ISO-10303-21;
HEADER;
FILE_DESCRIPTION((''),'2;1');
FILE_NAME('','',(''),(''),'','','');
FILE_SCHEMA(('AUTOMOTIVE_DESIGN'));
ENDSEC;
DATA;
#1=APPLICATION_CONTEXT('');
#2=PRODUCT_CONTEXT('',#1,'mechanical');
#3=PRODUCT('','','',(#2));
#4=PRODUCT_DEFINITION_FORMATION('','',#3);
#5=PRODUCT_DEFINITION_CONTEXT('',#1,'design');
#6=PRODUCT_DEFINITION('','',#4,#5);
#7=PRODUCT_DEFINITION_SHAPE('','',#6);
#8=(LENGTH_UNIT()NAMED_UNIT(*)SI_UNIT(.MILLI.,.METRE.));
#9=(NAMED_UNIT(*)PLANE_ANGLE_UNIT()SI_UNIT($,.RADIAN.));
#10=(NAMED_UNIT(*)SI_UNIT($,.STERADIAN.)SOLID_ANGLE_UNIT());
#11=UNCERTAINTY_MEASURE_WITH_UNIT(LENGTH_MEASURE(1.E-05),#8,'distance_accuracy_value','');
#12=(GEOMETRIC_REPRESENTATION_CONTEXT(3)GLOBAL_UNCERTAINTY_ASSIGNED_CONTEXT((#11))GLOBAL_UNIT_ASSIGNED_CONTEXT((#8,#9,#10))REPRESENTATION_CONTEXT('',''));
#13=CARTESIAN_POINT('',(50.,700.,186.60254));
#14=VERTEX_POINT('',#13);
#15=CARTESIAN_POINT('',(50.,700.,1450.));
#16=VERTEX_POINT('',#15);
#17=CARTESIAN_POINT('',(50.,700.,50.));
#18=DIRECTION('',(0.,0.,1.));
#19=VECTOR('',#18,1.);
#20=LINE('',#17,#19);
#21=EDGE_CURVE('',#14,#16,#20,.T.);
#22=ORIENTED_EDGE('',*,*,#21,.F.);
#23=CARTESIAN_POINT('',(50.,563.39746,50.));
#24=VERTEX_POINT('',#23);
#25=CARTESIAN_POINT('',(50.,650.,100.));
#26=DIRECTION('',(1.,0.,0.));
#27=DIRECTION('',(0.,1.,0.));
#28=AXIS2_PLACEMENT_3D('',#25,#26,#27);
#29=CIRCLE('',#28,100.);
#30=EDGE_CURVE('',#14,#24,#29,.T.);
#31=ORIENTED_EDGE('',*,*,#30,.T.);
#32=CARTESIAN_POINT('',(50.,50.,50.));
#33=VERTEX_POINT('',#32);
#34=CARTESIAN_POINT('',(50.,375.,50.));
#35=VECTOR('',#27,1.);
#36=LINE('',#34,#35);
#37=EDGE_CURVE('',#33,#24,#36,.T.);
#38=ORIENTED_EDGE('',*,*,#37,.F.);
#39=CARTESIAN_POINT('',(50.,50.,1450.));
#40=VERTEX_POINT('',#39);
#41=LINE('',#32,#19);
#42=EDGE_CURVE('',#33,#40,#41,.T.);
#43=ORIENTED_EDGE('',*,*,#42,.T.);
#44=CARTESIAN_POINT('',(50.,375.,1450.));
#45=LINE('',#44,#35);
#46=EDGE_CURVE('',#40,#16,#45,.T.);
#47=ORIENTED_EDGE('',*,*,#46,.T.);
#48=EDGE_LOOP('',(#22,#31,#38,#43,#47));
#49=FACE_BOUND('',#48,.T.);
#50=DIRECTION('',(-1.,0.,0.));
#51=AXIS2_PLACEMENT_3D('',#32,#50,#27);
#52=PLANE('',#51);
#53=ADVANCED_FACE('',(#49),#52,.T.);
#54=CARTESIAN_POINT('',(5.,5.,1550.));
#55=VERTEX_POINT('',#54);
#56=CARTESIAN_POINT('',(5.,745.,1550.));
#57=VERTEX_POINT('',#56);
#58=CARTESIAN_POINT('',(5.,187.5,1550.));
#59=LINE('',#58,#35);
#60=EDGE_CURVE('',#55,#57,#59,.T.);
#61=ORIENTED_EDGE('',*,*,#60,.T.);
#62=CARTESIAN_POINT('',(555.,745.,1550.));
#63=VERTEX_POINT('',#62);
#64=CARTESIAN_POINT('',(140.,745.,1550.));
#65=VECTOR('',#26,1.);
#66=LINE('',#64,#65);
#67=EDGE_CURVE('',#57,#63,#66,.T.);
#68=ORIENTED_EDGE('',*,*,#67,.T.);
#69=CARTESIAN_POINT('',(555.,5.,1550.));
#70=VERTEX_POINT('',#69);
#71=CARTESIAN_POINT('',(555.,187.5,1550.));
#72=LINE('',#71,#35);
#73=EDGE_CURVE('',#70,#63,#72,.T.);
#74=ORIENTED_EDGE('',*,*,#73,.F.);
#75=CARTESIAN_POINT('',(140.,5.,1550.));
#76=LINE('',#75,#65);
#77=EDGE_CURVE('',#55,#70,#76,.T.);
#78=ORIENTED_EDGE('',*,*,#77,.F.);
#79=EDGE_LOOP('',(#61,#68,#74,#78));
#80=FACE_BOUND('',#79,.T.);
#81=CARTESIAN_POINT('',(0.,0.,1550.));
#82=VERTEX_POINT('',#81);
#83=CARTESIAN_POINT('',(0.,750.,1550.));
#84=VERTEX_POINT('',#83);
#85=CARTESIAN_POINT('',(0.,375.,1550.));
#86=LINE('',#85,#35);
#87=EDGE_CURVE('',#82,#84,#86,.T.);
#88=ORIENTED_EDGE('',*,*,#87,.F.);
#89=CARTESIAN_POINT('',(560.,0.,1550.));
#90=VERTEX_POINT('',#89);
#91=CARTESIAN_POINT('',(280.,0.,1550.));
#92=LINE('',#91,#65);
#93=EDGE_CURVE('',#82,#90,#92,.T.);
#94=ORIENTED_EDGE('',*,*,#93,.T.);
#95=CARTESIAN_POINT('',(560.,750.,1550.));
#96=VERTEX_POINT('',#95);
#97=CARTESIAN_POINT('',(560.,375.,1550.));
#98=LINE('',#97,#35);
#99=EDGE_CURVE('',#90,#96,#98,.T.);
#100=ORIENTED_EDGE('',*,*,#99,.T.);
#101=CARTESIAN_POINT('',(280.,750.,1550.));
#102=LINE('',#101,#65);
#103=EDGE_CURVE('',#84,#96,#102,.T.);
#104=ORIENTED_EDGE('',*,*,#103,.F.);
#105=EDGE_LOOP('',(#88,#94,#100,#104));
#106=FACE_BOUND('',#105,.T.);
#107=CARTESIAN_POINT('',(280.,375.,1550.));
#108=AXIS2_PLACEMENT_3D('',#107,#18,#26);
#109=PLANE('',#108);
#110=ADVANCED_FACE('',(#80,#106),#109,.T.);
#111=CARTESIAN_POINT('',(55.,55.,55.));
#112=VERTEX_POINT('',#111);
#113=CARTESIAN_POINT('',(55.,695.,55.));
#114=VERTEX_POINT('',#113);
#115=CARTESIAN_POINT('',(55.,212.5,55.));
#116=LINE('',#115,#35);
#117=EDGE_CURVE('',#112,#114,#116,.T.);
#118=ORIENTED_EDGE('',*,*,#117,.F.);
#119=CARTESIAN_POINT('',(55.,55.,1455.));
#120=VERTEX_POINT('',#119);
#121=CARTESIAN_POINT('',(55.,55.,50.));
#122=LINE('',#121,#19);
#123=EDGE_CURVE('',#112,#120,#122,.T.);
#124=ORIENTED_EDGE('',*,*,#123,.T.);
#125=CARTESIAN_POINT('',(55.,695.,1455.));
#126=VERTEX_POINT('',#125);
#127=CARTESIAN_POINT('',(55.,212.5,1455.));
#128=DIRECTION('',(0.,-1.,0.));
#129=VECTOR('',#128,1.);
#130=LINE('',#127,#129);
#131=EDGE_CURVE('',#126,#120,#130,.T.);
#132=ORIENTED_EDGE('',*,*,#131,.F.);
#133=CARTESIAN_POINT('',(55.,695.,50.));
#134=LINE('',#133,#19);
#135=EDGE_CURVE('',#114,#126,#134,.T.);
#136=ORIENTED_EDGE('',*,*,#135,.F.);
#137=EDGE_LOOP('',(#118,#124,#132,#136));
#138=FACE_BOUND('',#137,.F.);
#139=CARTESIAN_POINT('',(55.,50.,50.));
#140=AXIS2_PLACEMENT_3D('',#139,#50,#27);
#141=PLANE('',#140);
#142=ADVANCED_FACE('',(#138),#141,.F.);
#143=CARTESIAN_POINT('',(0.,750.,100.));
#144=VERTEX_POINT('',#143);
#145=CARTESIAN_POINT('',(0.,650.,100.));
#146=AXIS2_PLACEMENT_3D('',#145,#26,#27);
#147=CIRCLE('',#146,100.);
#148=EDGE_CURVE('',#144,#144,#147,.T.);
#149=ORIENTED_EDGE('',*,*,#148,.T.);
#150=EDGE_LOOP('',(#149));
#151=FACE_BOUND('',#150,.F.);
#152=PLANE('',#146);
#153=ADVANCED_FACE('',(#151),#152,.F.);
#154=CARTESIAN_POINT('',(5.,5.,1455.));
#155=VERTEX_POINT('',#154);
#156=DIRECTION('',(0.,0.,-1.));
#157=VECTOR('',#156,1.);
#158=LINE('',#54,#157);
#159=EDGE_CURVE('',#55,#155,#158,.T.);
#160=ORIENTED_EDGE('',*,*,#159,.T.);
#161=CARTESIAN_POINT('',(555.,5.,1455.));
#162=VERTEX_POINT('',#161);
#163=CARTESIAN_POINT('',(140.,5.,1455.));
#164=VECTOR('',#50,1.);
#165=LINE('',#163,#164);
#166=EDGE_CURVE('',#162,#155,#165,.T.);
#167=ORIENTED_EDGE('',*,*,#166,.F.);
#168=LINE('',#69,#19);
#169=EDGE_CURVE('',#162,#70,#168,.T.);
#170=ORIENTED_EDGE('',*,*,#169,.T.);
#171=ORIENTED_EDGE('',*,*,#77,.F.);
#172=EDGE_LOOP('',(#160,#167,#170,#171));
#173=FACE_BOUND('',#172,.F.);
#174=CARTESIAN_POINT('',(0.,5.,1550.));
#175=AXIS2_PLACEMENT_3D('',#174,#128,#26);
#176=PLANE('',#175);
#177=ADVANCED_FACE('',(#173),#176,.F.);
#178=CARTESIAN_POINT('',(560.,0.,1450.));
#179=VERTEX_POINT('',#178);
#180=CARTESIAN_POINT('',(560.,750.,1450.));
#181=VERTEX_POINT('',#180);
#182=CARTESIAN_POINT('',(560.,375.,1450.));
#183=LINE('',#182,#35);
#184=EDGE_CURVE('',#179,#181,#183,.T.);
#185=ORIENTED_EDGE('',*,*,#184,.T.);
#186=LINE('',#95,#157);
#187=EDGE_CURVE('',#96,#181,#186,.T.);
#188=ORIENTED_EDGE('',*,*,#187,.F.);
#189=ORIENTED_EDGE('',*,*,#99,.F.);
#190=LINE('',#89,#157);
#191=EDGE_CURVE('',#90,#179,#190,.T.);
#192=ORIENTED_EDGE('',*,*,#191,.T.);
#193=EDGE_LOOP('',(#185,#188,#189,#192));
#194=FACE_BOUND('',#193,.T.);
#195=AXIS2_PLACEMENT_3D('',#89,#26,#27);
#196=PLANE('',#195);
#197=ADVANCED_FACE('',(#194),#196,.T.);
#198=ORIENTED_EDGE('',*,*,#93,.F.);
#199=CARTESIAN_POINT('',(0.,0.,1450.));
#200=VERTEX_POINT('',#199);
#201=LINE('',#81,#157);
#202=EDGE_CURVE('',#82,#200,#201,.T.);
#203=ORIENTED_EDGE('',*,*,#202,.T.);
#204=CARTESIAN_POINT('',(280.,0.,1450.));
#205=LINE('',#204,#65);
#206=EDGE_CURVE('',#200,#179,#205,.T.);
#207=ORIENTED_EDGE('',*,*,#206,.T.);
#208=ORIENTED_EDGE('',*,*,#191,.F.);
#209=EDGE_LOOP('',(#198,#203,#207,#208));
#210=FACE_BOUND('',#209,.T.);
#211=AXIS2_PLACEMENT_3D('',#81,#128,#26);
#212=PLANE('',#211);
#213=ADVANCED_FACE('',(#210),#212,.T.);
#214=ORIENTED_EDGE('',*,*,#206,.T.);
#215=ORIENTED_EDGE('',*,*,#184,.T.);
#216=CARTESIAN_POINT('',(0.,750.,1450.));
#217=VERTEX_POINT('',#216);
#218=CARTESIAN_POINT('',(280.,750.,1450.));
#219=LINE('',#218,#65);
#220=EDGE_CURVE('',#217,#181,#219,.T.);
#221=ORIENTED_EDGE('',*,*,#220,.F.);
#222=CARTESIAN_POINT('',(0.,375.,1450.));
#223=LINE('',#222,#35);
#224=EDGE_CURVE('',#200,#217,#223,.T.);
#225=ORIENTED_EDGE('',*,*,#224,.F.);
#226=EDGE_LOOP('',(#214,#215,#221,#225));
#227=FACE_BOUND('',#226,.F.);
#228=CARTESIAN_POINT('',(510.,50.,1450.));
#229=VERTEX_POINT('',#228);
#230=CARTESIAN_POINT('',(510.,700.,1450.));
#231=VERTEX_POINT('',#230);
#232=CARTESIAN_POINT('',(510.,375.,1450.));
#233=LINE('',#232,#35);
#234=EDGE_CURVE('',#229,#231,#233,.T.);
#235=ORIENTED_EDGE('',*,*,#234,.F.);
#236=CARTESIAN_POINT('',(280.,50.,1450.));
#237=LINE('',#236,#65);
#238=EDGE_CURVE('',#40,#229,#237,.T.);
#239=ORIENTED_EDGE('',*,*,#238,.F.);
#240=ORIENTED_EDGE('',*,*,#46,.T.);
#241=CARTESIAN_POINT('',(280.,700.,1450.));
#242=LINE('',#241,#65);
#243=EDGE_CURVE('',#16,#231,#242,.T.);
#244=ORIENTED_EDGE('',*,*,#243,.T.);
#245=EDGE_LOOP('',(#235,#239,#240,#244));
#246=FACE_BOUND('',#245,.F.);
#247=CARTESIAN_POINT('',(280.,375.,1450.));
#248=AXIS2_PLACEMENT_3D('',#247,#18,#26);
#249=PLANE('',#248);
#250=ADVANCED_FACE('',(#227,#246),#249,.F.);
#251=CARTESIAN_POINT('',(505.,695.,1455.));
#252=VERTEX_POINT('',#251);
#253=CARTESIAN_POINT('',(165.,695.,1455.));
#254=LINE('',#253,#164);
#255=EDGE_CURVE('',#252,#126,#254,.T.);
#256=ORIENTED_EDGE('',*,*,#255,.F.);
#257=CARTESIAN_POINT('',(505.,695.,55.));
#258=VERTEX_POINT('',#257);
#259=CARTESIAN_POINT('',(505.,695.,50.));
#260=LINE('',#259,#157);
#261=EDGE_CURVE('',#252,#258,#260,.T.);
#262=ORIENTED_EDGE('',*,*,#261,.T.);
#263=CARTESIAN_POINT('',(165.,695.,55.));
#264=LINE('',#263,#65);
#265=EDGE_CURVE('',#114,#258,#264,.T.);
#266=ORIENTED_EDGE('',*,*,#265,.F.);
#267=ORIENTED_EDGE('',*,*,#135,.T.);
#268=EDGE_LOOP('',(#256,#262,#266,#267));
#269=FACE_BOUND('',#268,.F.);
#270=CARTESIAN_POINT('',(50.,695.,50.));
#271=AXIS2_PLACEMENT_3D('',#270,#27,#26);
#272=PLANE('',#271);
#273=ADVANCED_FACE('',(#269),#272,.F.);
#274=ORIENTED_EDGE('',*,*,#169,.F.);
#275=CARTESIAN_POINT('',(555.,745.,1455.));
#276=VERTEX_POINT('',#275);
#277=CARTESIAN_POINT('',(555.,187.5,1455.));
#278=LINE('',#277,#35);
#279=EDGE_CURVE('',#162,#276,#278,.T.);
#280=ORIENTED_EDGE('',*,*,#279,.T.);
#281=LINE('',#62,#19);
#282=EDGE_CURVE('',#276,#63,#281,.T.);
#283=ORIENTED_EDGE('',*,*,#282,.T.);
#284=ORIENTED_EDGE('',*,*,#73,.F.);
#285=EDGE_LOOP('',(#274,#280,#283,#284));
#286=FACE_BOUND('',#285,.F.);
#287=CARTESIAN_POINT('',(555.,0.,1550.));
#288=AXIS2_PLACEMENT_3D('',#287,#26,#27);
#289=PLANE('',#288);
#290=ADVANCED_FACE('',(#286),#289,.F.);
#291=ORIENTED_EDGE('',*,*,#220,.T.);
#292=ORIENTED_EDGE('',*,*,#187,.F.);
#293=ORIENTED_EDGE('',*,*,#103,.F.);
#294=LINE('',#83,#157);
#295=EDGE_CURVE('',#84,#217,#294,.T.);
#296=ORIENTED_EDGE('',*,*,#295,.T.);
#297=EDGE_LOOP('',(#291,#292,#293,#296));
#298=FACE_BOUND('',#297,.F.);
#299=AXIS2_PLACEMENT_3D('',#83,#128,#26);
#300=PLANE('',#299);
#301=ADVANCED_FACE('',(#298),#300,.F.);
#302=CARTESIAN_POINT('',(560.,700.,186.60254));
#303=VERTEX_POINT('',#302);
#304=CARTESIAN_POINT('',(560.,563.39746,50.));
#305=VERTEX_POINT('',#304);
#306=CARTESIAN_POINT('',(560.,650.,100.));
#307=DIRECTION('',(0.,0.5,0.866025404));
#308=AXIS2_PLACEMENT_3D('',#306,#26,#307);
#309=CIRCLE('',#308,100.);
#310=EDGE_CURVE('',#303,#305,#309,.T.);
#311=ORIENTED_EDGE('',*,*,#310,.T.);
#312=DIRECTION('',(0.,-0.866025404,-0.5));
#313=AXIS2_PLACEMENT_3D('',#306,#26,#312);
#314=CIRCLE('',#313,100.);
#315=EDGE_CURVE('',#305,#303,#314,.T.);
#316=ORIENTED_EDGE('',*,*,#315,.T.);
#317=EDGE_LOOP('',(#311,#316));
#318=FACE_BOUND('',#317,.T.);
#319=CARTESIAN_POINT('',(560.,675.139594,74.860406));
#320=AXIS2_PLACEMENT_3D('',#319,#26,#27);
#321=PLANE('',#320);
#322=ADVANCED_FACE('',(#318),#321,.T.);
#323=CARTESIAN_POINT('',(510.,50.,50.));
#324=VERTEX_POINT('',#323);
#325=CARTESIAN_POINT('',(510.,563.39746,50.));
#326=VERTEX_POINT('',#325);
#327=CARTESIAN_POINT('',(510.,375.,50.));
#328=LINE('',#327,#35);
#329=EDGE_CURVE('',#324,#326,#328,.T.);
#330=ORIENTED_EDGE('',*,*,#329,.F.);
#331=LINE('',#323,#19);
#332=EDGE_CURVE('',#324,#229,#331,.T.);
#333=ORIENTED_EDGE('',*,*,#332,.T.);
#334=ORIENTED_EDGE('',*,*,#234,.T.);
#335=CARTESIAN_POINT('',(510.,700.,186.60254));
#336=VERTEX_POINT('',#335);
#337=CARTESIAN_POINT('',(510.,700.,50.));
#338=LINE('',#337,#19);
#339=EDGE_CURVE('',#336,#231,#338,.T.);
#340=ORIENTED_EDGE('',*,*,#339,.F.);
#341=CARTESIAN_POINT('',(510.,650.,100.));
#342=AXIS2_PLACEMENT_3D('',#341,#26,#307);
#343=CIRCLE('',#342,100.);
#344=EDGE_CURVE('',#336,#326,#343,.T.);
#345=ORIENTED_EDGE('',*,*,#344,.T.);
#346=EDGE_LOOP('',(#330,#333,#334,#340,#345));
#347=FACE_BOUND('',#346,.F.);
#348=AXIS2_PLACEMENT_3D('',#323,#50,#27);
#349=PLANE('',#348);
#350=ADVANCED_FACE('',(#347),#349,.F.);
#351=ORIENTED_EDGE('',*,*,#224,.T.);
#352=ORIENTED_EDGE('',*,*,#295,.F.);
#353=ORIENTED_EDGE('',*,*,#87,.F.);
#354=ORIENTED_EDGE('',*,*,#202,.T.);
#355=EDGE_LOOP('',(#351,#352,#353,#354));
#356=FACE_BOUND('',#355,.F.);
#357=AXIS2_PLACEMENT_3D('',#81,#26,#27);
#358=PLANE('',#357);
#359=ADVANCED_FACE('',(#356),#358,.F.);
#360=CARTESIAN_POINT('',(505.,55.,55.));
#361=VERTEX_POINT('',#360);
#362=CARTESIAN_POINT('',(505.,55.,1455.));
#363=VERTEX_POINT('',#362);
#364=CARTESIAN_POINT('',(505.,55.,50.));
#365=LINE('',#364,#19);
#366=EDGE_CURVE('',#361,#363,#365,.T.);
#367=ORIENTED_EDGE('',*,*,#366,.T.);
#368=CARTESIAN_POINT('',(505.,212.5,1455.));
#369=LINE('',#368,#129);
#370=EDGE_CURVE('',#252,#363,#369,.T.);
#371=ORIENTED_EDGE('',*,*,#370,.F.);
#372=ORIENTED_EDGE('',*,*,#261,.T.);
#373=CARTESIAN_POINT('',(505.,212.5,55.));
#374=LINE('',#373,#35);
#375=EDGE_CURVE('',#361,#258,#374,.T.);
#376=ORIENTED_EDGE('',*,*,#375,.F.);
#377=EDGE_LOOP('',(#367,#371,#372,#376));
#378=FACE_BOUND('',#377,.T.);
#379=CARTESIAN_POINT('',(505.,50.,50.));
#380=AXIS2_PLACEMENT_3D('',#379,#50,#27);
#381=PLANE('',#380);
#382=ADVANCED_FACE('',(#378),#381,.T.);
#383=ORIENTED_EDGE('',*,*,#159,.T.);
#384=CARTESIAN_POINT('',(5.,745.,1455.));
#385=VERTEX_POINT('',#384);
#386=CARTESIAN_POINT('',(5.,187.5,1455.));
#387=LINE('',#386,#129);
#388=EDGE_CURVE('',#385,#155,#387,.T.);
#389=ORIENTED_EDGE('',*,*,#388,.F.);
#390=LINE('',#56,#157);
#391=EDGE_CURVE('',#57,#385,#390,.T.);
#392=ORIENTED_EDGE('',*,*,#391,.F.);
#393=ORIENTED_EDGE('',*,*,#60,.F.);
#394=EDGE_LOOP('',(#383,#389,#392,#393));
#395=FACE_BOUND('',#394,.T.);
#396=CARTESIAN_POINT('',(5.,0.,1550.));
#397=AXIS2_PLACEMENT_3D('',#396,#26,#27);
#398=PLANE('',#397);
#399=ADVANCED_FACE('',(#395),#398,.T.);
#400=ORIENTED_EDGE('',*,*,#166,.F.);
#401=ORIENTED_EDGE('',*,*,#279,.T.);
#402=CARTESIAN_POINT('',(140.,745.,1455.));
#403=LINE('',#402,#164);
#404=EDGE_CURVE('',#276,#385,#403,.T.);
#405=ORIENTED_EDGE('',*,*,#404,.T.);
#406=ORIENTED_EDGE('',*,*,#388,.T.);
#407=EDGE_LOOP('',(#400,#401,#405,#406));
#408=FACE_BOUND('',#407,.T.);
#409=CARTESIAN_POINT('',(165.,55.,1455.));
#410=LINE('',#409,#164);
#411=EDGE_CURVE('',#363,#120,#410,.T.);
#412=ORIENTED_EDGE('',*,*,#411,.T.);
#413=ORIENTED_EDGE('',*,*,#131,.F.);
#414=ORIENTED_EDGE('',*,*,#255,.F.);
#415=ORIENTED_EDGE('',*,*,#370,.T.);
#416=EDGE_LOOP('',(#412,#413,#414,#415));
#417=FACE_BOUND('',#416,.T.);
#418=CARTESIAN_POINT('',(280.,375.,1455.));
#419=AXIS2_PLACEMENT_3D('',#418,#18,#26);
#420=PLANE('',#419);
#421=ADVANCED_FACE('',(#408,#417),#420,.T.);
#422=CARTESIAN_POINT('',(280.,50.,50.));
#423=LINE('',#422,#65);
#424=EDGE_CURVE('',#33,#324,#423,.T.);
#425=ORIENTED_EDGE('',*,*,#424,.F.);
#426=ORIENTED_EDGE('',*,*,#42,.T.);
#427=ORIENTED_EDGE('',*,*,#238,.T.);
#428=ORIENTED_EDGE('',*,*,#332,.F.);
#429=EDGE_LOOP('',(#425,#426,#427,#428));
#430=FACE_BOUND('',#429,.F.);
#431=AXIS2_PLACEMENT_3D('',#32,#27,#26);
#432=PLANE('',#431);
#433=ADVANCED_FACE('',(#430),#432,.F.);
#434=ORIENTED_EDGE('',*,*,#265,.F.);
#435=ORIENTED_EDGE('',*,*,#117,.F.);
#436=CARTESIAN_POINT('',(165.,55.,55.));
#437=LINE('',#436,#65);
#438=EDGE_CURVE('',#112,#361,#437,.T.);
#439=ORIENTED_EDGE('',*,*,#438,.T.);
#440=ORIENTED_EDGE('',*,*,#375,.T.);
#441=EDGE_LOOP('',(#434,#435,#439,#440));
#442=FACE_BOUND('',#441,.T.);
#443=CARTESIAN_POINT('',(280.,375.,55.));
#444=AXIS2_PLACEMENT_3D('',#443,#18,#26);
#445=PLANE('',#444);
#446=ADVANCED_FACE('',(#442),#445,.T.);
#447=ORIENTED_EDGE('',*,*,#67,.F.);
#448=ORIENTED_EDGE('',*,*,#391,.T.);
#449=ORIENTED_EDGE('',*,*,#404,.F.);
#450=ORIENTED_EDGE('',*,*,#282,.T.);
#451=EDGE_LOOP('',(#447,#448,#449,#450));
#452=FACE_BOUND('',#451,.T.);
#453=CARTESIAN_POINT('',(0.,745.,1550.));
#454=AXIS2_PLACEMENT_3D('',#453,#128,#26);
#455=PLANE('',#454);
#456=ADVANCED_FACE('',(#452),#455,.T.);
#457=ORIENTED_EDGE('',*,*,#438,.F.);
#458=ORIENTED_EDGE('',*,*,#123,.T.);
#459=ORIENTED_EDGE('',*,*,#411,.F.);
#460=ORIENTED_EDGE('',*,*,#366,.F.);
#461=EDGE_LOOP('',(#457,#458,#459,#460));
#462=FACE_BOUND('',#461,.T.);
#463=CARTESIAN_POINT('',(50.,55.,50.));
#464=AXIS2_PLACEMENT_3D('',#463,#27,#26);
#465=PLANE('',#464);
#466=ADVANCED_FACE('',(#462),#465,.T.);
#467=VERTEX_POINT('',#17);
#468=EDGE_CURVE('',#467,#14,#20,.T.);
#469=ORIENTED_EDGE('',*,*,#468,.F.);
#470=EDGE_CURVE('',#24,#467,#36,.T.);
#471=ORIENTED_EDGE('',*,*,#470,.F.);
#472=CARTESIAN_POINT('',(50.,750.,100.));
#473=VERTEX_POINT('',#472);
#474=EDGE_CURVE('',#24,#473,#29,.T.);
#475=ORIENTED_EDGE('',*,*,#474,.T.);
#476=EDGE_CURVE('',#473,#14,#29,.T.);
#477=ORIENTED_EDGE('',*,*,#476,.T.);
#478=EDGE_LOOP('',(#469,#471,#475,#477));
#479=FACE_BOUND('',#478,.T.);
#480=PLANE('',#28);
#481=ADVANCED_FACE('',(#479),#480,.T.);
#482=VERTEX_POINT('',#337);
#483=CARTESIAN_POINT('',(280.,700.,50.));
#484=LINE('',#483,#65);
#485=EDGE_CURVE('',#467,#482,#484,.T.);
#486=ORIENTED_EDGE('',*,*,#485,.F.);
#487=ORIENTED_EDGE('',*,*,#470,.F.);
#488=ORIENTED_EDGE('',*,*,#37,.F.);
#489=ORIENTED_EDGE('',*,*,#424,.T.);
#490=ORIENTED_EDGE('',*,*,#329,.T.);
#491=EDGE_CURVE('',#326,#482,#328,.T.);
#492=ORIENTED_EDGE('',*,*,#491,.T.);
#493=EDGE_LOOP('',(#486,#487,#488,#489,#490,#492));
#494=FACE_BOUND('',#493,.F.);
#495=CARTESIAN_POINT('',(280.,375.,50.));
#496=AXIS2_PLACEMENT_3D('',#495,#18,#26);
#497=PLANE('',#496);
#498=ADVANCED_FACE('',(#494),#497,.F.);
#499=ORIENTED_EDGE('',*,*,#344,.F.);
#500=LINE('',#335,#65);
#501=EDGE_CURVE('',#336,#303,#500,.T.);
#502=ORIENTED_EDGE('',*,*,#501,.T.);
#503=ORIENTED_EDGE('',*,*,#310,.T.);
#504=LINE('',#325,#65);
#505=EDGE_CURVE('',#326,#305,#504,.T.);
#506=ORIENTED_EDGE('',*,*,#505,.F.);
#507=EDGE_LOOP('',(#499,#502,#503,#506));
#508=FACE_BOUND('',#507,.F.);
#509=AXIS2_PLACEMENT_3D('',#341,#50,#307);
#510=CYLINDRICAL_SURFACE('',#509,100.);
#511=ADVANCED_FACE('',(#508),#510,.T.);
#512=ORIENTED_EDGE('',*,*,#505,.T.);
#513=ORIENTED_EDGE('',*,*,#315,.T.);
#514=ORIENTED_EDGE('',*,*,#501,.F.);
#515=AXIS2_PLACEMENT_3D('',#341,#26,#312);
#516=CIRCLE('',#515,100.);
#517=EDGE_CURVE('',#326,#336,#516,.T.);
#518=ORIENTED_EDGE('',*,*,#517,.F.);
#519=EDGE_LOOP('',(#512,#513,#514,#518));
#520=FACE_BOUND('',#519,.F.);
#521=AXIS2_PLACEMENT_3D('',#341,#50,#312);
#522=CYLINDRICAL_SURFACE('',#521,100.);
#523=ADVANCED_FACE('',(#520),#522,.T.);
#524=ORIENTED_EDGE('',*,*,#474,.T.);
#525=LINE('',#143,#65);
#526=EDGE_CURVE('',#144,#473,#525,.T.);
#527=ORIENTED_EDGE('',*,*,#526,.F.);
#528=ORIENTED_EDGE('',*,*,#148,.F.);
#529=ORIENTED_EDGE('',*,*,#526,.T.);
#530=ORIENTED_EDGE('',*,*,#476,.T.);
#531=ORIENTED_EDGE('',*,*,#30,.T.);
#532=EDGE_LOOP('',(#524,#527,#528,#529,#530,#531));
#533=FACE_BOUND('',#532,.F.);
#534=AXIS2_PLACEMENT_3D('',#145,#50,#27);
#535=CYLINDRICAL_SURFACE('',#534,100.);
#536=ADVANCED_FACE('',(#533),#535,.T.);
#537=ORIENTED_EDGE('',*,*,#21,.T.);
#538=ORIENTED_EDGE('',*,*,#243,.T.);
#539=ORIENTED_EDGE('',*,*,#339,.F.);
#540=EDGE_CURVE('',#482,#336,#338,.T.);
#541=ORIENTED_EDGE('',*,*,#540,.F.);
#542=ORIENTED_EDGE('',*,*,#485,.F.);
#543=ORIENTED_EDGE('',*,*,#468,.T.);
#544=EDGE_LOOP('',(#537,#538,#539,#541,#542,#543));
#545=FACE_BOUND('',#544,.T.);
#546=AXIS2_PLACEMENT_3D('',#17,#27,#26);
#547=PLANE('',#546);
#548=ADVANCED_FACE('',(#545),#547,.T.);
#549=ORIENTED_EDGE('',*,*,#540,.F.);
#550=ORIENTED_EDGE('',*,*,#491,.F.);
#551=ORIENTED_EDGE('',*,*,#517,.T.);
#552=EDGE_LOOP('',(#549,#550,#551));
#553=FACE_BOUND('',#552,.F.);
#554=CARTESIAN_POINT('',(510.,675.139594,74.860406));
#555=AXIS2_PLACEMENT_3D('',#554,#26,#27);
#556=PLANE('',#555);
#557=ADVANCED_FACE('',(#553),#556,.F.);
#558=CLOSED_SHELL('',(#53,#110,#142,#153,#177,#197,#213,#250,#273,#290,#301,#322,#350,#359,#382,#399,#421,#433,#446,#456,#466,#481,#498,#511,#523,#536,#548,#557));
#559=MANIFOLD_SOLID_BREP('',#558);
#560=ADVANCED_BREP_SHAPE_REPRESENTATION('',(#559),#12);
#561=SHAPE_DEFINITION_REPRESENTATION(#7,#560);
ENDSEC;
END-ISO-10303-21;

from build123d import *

# Parameters (mm, degrees)
F1_W     = 460
F1_H     = 650
F2_DEPTH = 1500
F3_W     = 560
F3_H     = 750
F3_W_2   = 460
F3_H_2   = 650
F4_DEPTH = 100
F5_T     = -5
F6_R     = 100
F7_DEPTH = 50
F9_DEPTH = 50


with BuildPart() as f2:
    # F1 (on offset) → F2 (new body)
    with BuildSketch(Plane.XY.offset(50)):
        with Locations((280, 375)):
            Rectangle(F1_W, F1_H)
    extrude(amount=F2_DEPTH)

    # F3 (on face) → F4 (join)
    with BuildSketch(Plane.XY.offset(1550)):
        with Locations((280, 375)):
            Rectangle(F3_W, F3_H)
        with Locations((280, 375)):
            Rectangle(F3_W_2, F3_H_2, mode=Mode.SUBTRACT)
    extrude(amount=-F4_DEPTH)

    # F5
    f5_openings = [f2.faces().sort_by_distance(p)[0] for p in [
        (280, 375, 1550),
    ]]
    offset(amount=F5_T, openings=f5_openings, kind=Kind.INTERSECTION)

    # F6 (on Right) → F7 (join, through all)
    with BuildSketch(Plane.YZ):
        with Locations((650, 100)):
            Circle(F6_R)
    extrude(amount=F7_DEPTH)

    # F8 (on face) → F9 (join, through all)
    with BuildSketch(Plane.YZ.offset(510)):
        with BuildLine():
            ThreePointArc((563.3974596216, 50), (675.8819045103, 3.4074173711), (750, 100))
            ThreePointArc((750, 100), (736.6025403784, 150), (700, 186.6025403784))
            Line((700, 186.6025403784), (700, 50))
            Line((700, 50), (563.3974596216, 50))
        make_face()
        with BuildLine():
            Line((700, 50), (700, 186.6025403784))
            ThreePointArc((700, 186.6025403784), (579.2893218813, 170.7106781187), (563.3974596216, 50))
            Line((563.3974596216, 50), (700, 50))
        make_face()
    extrude(amount=F9_DEPTH)


solid = f2.part
